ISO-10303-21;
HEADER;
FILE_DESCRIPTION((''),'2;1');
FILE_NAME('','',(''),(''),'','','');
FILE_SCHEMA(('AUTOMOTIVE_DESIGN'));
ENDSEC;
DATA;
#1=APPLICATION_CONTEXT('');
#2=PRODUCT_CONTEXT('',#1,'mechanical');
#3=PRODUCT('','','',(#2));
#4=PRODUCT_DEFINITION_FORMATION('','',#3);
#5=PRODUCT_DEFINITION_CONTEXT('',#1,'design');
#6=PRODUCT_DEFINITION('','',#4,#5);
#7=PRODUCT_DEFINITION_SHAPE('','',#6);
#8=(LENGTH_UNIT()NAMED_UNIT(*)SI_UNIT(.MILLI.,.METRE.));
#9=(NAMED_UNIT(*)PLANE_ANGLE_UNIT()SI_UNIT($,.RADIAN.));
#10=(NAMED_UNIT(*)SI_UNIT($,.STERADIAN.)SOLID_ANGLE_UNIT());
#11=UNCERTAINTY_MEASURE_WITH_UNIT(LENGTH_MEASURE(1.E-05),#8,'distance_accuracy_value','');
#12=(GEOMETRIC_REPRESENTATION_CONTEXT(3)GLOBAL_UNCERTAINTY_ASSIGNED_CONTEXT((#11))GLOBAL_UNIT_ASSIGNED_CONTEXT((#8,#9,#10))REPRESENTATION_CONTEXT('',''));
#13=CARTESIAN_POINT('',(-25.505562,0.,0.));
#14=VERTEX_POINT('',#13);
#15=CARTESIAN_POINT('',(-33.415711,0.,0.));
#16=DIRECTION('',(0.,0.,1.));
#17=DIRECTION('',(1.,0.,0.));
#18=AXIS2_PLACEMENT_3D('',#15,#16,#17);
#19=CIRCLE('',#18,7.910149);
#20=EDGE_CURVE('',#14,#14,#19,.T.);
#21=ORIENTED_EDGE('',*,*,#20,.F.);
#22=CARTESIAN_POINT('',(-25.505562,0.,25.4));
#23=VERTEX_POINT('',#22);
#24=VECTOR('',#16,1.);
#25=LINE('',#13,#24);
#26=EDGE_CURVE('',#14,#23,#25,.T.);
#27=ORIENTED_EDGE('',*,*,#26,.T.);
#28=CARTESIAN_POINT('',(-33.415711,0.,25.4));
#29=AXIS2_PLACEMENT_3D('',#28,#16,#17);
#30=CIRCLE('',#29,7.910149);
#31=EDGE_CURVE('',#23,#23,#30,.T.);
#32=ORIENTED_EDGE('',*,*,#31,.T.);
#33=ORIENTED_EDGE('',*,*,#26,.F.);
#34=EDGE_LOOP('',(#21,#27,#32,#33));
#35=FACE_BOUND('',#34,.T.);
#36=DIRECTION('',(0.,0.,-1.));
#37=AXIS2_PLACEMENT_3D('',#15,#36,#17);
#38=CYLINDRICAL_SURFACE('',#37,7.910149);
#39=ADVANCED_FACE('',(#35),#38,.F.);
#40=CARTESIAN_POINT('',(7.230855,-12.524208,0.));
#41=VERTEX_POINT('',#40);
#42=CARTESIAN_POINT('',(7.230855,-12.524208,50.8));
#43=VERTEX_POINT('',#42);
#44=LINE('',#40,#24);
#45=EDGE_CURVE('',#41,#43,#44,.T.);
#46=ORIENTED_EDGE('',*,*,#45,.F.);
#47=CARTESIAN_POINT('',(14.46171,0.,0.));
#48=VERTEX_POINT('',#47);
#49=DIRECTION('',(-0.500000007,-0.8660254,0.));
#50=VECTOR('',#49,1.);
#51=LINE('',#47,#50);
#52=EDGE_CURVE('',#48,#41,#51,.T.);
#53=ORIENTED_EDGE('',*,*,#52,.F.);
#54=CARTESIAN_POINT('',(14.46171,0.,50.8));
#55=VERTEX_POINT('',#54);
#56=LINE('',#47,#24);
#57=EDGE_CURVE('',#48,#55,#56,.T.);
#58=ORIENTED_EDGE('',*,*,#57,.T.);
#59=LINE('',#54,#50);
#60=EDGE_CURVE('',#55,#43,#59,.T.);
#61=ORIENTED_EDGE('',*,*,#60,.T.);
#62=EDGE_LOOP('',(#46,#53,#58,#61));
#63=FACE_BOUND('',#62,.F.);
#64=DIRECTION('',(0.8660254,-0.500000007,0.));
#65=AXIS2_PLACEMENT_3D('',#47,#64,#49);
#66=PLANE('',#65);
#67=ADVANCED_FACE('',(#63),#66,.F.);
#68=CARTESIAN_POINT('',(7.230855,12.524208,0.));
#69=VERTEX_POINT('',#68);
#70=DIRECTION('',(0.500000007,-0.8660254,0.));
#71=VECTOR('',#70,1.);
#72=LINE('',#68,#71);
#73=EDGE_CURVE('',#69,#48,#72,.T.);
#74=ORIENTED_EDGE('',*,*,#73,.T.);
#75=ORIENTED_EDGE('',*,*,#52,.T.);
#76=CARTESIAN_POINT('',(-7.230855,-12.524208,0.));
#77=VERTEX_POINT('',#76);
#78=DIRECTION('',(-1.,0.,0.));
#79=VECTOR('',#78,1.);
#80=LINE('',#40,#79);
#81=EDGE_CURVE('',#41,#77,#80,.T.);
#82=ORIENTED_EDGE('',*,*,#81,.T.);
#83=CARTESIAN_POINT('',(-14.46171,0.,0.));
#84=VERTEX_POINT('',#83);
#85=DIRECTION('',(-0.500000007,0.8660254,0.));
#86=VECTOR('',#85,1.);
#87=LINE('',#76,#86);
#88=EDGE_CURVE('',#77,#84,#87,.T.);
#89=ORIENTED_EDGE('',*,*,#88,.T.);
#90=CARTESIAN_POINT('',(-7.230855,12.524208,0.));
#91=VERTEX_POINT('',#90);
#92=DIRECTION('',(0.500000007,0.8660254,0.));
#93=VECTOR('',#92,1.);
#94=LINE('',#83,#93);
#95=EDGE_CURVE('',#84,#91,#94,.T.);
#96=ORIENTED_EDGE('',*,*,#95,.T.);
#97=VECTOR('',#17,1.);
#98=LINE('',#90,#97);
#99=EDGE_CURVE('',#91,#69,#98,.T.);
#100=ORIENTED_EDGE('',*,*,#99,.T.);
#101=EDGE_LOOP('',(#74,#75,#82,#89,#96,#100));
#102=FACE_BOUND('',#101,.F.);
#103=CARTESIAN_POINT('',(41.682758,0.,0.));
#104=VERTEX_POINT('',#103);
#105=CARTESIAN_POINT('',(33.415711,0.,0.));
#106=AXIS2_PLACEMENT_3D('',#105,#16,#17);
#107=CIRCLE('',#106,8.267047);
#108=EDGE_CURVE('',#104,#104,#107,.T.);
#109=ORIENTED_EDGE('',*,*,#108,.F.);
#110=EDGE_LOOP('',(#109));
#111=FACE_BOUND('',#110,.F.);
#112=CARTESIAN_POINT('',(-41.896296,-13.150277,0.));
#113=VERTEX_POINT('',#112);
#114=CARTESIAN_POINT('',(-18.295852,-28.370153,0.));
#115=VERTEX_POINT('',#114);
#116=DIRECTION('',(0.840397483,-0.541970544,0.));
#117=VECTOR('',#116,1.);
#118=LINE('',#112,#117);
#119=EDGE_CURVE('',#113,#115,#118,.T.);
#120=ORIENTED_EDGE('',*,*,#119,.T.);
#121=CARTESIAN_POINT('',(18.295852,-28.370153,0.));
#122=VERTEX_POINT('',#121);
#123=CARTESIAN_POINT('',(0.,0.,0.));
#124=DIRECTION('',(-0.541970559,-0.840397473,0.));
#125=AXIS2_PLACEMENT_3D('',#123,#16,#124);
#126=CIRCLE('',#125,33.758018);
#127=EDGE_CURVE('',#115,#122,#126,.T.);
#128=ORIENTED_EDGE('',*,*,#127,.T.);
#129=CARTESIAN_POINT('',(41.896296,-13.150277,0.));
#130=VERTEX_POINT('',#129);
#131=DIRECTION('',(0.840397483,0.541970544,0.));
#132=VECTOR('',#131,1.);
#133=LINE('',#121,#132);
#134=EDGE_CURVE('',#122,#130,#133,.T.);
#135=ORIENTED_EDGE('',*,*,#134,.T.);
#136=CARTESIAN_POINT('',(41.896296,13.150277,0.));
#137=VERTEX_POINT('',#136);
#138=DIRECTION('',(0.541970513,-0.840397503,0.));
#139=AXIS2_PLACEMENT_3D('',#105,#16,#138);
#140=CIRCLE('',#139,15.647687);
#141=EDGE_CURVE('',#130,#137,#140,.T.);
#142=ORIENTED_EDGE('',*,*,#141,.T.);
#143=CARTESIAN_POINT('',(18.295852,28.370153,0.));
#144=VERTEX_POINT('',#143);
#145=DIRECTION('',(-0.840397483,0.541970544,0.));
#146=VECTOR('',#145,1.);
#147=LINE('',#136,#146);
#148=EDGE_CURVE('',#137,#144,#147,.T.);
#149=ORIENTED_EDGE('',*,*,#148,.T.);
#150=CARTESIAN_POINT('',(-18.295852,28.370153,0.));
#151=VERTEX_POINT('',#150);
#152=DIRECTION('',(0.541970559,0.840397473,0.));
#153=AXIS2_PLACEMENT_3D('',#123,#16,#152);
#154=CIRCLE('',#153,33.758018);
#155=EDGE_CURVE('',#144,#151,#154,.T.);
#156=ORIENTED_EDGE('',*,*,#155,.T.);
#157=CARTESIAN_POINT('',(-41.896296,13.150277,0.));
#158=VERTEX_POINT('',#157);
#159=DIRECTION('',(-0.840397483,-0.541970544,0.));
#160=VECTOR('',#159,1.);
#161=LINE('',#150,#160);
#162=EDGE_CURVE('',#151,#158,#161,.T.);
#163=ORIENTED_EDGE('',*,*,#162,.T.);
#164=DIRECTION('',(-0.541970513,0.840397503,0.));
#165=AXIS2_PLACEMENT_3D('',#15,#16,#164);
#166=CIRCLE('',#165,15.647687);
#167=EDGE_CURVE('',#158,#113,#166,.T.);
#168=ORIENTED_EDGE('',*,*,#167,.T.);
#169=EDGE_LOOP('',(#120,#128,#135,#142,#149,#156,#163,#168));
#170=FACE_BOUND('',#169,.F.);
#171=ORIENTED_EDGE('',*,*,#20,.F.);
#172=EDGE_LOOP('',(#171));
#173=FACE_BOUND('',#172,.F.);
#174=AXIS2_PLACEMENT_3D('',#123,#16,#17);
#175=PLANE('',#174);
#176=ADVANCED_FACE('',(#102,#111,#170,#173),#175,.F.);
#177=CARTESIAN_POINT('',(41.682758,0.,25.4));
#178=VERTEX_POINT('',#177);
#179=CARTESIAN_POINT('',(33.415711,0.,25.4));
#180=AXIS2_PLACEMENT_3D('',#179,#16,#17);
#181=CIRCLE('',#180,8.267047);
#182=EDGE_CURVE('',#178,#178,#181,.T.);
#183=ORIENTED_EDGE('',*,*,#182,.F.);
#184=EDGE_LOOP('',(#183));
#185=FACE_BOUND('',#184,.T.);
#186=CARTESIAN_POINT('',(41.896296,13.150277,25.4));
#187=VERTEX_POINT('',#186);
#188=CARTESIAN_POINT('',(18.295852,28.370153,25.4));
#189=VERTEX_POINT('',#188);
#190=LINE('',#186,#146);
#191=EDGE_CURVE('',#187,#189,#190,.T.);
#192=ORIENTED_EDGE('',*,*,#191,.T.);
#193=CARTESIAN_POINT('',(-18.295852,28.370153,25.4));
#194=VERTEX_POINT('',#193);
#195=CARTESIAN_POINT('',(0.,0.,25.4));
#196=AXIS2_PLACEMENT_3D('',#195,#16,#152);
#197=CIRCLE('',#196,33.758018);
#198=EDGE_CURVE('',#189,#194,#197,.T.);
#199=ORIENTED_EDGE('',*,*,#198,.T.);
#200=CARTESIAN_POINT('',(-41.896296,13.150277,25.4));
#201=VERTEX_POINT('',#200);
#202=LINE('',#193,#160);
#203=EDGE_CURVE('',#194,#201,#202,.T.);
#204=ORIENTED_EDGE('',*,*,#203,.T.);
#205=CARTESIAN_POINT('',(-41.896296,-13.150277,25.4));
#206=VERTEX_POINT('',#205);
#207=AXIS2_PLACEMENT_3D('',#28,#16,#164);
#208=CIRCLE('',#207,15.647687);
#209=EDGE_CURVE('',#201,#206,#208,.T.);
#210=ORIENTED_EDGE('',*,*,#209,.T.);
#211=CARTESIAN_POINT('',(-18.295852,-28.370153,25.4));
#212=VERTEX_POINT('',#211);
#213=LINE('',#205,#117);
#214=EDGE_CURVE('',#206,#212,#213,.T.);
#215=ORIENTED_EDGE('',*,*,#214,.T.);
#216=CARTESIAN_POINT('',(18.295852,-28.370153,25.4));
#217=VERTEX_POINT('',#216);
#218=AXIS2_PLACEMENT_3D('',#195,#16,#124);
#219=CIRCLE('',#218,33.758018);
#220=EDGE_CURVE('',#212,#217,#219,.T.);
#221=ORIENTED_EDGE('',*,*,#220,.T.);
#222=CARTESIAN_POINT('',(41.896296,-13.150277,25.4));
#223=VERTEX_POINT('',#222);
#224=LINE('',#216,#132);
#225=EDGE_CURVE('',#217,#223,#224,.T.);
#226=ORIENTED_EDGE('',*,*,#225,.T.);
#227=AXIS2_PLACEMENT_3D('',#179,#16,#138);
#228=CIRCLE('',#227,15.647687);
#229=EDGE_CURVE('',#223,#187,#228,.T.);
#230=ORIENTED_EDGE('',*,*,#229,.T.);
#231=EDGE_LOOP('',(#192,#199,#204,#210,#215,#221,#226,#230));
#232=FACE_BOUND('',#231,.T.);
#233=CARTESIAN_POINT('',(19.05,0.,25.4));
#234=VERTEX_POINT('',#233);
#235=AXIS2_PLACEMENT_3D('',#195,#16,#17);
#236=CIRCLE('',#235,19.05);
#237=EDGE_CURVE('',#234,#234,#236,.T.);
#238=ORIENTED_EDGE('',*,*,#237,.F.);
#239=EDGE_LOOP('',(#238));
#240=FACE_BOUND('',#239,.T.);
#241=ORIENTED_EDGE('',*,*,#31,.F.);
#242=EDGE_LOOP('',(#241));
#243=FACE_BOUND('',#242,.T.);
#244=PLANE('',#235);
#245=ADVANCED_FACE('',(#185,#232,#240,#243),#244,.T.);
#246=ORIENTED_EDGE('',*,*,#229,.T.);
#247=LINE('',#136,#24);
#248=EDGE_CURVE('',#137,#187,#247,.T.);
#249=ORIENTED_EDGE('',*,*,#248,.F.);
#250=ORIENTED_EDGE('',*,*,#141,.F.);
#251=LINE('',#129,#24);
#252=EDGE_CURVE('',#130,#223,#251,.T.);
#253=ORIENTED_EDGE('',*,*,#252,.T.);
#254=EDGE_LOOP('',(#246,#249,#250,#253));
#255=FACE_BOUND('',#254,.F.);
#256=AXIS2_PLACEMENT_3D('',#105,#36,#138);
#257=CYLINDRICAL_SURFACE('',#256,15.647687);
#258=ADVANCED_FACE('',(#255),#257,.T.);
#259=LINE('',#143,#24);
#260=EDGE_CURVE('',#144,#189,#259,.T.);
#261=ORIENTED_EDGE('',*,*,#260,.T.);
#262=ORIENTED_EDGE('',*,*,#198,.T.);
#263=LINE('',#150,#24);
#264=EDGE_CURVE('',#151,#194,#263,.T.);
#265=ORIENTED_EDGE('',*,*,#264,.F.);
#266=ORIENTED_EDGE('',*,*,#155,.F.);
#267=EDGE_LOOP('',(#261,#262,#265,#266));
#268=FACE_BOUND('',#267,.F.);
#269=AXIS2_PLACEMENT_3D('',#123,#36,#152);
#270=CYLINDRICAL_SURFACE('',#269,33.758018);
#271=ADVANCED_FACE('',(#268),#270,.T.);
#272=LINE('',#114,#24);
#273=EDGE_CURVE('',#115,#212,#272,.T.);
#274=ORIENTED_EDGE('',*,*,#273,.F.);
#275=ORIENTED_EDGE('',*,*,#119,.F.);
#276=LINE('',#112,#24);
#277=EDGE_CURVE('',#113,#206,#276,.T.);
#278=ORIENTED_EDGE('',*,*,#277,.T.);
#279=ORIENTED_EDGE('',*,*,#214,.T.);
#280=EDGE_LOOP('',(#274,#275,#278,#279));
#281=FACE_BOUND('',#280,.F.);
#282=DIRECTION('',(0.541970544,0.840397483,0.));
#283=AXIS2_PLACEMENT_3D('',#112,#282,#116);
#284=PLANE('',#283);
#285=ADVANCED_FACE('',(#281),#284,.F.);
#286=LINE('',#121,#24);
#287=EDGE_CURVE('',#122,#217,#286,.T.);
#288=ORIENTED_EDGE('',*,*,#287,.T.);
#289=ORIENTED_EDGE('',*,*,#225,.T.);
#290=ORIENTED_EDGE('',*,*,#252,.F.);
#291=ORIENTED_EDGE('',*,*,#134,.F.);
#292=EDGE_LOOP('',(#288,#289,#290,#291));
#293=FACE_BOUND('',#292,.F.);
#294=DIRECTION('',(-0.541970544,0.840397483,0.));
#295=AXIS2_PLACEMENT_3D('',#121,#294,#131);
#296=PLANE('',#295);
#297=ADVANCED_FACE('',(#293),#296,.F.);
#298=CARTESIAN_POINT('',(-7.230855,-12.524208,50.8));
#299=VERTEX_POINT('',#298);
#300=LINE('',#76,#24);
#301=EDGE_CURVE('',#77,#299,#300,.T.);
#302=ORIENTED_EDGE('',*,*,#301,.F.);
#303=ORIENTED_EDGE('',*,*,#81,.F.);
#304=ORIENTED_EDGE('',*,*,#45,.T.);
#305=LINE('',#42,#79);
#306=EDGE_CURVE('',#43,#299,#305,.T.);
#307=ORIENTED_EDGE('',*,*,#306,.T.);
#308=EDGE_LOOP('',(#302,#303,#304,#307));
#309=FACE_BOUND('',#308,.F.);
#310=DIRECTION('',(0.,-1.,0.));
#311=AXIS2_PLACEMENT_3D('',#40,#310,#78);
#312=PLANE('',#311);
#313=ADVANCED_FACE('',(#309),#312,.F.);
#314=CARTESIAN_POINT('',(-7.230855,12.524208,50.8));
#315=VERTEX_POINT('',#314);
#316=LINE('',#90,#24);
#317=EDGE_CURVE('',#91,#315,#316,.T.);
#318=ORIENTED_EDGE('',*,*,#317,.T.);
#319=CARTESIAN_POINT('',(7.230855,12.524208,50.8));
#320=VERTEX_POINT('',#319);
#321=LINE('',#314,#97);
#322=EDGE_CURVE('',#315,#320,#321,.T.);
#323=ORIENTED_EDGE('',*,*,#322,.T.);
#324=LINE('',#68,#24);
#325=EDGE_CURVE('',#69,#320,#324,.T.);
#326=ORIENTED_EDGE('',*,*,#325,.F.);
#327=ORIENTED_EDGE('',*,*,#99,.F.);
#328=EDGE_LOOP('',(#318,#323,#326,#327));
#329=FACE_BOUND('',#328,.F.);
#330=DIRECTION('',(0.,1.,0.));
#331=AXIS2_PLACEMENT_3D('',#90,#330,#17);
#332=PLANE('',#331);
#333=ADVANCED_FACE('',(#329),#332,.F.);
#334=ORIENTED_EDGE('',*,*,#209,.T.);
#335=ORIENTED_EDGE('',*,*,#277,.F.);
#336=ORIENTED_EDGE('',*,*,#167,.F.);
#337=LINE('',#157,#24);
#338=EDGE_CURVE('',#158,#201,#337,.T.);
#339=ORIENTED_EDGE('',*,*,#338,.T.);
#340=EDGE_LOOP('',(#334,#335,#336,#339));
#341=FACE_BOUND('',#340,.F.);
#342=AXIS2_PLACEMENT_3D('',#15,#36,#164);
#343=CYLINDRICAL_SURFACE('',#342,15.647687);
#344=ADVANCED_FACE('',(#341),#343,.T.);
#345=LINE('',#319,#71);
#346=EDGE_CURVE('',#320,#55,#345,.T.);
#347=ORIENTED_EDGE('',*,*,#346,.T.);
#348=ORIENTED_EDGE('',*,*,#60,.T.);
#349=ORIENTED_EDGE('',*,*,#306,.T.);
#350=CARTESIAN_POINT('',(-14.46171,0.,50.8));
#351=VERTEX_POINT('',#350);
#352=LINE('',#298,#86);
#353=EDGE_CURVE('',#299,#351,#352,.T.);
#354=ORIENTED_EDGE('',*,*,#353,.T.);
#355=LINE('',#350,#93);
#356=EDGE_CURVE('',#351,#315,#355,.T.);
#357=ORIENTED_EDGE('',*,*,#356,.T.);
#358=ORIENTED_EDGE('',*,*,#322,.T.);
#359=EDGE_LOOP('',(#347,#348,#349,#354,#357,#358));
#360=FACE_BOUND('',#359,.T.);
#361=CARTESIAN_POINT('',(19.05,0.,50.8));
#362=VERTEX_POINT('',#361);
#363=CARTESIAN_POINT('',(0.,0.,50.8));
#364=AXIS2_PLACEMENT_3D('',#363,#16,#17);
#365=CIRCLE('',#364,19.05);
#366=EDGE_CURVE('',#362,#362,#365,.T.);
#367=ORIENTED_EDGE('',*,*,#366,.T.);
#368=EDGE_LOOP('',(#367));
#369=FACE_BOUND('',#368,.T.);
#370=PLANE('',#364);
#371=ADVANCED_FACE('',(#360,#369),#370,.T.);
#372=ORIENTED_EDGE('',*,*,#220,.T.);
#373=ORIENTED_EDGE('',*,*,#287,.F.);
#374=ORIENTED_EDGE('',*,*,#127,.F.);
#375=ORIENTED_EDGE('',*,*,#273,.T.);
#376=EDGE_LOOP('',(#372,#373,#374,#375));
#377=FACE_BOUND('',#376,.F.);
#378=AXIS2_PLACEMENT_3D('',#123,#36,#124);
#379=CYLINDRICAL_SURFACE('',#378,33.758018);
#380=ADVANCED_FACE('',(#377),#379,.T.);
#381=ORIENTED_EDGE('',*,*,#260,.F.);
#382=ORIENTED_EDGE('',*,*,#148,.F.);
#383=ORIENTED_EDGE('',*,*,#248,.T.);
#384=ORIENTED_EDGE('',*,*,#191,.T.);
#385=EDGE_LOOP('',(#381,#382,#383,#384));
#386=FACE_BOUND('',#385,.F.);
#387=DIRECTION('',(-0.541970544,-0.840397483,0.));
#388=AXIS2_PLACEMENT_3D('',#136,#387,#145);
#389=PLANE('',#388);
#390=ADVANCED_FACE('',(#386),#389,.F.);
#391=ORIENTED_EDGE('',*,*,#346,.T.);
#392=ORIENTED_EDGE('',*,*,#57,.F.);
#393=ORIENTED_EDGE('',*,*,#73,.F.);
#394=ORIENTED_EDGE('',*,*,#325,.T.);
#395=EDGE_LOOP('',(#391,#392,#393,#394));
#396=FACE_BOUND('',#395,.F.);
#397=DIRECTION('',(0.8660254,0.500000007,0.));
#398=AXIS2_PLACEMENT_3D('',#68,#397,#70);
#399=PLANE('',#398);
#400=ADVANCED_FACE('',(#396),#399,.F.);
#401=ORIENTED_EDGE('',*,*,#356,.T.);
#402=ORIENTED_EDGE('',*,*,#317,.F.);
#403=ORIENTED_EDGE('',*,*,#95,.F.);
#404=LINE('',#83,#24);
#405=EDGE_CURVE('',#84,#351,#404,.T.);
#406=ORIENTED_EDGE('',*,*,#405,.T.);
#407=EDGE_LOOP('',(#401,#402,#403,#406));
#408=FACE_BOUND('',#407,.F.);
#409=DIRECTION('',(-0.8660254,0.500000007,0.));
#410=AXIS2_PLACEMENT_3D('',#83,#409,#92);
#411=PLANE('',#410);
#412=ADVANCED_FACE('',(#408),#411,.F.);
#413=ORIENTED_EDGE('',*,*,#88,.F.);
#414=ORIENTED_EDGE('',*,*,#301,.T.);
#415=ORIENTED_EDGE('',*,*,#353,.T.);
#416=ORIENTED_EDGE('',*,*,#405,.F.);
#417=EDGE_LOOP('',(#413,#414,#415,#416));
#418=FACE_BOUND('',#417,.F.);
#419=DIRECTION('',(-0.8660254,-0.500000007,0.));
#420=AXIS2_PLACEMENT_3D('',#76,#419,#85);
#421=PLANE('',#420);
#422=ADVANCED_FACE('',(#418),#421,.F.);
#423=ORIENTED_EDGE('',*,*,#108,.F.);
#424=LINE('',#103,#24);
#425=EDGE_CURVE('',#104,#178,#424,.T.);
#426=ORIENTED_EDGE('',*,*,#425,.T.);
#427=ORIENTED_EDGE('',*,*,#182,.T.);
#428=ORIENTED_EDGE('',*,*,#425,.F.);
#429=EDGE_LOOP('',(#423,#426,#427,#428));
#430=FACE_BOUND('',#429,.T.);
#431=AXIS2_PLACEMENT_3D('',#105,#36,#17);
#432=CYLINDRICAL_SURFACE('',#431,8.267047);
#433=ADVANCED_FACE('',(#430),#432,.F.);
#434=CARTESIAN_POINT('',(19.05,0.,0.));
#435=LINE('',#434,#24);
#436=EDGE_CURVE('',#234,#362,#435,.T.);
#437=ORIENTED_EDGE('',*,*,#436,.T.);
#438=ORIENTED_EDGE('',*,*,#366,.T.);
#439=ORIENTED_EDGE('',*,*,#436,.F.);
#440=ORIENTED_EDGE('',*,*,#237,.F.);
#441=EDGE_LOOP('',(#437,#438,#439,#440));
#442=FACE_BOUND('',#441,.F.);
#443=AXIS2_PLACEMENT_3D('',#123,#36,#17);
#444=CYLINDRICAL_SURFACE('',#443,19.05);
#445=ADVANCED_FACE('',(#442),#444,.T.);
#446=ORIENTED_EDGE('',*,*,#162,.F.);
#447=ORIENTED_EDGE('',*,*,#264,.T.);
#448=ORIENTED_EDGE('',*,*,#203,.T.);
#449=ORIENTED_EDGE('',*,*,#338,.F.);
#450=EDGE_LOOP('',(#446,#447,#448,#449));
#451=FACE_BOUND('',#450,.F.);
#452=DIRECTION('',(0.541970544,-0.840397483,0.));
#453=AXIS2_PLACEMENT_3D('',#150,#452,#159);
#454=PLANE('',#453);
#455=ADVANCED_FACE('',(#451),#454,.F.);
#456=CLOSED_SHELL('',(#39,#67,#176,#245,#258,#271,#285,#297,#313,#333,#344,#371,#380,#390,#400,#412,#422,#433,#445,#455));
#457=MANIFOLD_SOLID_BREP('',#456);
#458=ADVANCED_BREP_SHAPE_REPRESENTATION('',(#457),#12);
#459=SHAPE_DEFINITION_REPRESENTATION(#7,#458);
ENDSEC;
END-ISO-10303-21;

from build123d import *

# Parameters (mm, degrees)
F0_R     = 19.05
F1_DEPTH = 50.8
F0_R_2   = 7.910149
F0_R_3   = 8.267047
F2_DEPTH = 25.4


with BuildPart() as f1:
    # F0 (on Top) → F1 (new body)
    with BuildSketch(Plane.XY):
        Circle(F0_R)
        Polygon((-14.46171, 0), (-7.230855, 12.524208), (7.230855, 12.524208), (14.46171, 0), (7.230855, -12.524208), (-7.230855, -12.524208), align=None, mode=Mode.SUBTRACT)
    extrude(amount=F1_DEPTH)

    # F0 (on Top) → F2 (join)
    with BuildSketch(Plane.XY):
        with BuildLine():
            Line((41.896296, 13.150277), (18.295852, 28.370153))
            ThreePointArc((18.295852, 28.370153), (0, 33.758018), (-18.295852, 28.370153))
            Line((-18.295852, 28.370153), (-41.896296, 13.150277))
            ThreePointArc((-41.896296, 13.150277), (-49.063398, 0), (-41.896296, -13.150277))
            Line((-41.896296, -13.150277), (-18.295852, -28.370153))
            ThreePointArc((-18.295852, -28.370153), (0, -33.758018), (18.295852, -28.370153))
            Line((18.295852, -28.370153), (41.896296, -13.150277))
            ThreePointArc((41.896296, -13.150277), (49.063398, 0), (41.896296, 13.150277))
        make_face()
        with Locations((-33.415711, 0)):
            Circle(F0_R_2, mode=Mode.SUBTRACT)
        Circle(F0_R, mode=Mode.SUBTRACT)
        with Locations((33.415711, 0)):
            Circle(F0_R_3, mode=Mode.SUBTRACT)
    extrude(amount=F2_DEPTH)


solid = f1.part
